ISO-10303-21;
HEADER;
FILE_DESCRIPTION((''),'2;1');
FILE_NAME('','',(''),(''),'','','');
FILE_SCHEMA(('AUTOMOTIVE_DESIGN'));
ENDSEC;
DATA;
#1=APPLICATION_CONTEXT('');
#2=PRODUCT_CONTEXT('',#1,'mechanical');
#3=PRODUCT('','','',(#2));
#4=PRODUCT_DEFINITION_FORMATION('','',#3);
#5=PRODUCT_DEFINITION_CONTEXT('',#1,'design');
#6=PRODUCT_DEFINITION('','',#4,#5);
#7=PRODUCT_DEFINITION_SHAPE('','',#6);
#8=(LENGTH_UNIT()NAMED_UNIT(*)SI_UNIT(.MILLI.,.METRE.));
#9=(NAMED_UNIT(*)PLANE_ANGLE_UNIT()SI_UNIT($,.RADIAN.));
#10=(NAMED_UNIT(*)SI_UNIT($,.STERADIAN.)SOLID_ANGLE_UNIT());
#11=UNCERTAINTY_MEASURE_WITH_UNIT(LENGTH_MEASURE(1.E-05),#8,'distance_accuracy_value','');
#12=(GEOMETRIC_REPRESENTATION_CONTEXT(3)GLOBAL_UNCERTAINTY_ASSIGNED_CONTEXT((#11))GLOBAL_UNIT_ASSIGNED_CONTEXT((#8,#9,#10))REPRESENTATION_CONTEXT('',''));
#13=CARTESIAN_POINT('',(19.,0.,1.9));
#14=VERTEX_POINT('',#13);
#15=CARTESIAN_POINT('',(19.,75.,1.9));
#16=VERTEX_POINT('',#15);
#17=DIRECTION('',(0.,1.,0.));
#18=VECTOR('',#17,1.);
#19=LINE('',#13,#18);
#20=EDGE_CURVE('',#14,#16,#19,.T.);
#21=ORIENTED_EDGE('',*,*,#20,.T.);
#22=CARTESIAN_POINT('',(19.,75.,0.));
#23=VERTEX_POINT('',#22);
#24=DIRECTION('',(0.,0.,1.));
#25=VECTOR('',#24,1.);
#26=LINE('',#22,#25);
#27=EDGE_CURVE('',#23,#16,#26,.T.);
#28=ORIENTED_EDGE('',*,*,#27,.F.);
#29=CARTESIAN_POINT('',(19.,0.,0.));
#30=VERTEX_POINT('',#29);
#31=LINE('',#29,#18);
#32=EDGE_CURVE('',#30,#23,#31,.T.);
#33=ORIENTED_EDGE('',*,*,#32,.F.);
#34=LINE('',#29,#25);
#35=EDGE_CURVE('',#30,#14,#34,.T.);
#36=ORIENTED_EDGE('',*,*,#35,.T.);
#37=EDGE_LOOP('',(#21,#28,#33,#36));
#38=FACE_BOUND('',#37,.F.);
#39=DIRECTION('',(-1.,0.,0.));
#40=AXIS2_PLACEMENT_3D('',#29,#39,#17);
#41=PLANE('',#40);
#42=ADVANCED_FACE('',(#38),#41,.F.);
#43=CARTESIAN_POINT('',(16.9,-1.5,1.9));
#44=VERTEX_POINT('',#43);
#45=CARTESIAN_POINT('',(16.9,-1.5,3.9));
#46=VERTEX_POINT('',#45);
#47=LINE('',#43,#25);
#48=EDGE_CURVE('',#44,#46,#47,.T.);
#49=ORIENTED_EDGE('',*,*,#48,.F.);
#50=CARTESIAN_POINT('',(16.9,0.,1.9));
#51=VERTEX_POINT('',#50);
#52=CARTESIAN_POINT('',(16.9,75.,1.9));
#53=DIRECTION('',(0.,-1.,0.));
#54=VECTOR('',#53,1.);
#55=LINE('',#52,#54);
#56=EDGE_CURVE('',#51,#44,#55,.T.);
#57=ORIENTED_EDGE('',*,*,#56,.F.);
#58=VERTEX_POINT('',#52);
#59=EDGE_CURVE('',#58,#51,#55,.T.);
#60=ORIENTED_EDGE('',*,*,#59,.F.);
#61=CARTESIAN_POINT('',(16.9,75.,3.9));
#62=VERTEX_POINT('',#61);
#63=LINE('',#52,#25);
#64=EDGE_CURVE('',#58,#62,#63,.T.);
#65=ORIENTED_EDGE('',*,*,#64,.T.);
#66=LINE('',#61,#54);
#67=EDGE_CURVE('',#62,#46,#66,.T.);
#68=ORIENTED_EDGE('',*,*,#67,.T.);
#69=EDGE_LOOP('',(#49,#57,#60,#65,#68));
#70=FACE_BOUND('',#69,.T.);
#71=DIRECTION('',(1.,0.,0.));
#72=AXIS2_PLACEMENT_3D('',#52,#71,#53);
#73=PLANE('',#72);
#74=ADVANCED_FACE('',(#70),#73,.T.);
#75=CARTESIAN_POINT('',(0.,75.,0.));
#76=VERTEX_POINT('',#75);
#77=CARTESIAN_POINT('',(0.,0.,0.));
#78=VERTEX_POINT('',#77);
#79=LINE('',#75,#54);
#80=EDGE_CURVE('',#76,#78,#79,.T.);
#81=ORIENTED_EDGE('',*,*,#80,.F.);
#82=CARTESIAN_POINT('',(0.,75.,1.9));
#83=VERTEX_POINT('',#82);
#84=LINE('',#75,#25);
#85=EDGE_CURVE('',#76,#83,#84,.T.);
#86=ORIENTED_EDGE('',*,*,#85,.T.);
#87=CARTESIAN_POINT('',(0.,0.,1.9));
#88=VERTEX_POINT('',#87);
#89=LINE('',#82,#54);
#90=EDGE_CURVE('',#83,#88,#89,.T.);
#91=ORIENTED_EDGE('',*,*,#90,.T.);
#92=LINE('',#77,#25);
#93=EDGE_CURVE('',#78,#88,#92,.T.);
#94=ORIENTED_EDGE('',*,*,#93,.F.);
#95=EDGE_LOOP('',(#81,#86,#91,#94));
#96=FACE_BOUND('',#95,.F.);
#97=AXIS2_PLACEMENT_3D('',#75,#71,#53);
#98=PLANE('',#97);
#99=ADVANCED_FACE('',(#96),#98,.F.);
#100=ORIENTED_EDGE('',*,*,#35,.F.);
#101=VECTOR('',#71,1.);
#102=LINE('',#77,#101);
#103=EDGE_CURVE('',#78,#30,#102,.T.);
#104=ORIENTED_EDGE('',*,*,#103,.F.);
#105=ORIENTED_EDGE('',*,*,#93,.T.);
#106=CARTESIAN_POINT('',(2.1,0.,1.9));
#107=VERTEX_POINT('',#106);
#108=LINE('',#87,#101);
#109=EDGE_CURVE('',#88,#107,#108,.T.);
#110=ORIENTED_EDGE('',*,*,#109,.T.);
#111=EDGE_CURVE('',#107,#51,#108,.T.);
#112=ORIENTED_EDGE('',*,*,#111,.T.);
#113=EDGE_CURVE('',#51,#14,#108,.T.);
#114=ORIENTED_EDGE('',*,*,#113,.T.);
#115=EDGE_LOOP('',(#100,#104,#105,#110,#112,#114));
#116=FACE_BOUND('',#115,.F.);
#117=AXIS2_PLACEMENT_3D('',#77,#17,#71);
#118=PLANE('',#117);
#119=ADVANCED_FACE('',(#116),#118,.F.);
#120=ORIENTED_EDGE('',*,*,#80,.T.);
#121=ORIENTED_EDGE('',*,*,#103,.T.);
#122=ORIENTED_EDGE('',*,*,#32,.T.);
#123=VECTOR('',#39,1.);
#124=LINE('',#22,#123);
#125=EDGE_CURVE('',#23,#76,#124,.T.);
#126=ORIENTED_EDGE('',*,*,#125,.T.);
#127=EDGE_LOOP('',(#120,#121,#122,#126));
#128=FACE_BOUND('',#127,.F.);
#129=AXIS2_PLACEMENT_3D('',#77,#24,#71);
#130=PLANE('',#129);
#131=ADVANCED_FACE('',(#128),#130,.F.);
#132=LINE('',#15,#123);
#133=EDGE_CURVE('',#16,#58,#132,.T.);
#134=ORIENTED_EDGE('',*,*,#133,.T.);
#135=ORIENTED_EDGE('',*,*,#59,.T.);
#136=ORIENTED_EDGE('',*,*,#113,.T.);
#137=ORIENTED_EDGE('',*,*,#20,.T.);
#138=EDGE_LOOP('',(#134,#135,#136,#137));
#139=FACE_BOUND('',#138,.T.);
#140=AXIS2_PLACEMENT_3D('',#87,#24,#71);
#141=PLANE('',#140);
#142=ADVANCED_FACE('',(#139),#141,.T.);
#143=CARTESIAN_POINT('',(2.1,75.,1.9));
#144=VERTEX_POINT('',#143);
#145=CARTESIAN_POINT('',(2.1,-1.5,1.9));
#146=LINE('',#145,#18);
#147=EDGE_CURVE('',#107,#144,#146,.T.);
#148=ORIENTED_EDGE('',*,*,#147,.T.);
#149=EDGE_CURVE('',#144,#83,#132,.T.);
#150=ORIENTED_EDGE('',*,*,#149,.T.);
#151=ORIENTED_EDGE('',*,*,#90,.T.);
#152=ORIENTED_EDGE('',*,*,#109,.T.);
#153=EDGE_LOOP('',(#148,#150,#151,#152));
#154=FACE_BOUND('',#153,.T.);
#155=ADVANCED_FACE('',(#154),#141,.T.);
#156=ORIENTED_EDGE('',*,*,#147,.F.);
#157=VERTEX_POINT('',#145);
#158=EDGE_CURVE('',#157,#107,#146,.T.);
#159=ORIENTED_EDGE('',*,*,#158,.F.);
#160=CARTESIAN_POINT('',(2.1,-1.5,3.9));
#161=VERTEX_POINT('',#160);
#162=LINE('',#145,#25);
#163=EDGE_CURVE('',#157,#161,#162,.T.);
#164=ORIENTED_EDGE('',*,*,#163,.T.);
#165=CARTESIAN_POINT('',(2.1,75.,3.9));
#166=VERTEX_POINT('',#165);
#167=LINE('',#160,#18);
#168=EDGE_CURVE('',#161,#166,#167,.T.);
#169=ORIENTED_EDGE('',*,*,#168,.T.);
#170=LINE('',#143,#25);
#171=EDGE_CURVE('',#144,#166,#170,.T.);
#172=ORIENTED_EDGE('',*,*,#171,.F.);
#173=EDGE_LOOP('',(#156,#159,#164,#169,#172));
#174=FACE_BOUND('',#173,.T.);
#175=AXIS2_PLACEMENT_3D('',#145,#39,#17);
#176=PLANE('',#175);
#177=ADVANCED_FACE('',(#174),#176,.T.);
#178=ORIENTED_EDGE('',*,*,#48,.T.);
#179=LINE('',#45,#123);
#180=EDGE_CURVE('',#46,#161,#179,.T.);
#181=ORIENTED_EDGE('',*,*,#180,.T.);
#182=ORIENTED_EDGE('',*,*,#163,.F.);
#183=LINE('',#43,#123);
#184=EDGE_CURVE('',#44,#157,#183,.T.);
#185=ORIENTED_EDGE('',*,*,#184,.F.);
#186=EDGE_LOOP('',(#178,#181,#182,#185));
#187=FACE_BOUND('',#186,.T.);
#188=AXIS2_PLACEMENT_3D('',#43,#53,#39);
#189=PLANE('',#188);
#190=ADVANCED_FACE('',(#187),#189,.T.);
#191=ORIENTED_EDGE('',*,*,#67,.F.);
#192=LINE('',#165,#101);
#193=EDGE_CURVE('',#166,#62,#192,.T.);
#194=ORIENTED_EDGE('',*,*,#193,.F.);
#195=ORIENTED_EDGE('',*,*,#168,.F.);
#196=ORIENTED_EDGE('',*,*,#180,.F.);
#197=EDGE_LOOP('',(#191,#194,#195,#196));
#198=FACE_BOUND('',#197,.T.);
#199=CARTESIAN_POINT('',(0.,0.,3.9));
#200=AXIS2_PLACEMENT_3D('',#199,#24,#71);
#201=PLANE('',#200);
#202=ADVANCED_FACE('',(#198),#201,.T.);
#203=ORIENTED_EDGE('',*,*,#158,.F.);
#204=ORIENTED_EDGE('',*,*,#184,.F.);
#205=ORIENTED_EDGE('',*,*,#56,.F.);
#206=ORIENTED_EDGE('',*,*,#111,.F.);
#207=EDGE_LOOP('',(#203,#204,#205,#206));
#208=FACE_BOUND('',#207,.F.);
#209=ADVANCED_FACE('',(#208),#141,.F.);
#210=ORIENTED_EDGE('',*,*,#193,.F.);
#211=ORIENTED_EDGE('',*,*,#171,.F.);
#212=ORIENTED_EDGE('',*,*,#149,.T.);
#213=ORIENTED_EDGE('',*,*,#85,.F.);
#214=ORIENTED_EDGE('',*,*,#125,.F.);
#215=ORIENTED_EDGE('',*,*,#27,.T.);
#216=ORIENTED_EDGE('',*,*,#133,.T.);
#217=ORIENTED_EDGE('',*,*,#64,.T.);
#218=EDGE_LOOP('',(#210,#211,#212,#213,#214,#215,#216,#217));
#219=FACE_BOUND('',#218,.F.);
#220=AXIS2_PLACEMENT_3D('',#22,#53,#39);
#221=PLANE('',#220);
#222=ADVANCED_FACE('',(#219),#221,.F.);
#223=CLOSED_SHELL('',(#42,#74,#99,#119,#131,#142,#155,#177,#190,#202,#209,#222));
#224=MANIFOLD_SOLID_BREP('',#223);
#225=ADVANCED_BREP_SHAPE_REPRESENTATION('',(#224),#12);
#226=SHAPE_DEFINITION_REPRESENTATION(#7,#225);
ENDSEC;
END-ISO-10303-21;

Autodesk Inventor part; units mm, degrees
ref_plane "YZ Plane" through (0, 0, 0) normal (1, 0, 0) x (0, 1, 0)
ref_plane "XZ Plane" through (0, 0, 0) normal (0, 1, 0) x (-1, 0, 0)
ref_plane "XY Plane" through (0, 0, 0) normal (0, 0, 1) x (1, 0, 0)
sketch "스케치1" plane through (0, 0, 0) normal (0, 0, 1) x (1, 0, 0)
  line L0 (0, 0) -> (19, 0)
  line L1 (19, 0) -> (19, 75)
  line L2 (19, 75) -> (0, 75)
  line L3 (0, 75) -> (0, 0)
  dimension "d0" = 19
  dimension "d1" = 75
extrude "돌출1" add sketch "스케치1" along normal blind 1.9
sketch "스케치2" plane through (0, 0, 1.9) normal (0, 0, 1) x (1, 0, 0)
  line L0 (2.1, 75) -> (16.9, 75)
  line L1 (16.9, 75) -> (16.9, -1.5)
  line L2 (16.9, -1.5) -> (2.1, -1.5)
  line L3 (2.1, -1.5) -> (2.1, 75)
  line L4 (19, 75) -> (0, 75) projected
  line L5 (0, 75) -> (0, 0) projected
  line L6 (19, 0) -> (19, 75) projected
  dimension "d4" = 0
  dimension "d5" = 2.1
  dimension "d6" = 2.1
  dimension "d7" = 76.5
extrude "돌출2" add sketch "스케치2" along normal blind 2
properties part number "magea"
